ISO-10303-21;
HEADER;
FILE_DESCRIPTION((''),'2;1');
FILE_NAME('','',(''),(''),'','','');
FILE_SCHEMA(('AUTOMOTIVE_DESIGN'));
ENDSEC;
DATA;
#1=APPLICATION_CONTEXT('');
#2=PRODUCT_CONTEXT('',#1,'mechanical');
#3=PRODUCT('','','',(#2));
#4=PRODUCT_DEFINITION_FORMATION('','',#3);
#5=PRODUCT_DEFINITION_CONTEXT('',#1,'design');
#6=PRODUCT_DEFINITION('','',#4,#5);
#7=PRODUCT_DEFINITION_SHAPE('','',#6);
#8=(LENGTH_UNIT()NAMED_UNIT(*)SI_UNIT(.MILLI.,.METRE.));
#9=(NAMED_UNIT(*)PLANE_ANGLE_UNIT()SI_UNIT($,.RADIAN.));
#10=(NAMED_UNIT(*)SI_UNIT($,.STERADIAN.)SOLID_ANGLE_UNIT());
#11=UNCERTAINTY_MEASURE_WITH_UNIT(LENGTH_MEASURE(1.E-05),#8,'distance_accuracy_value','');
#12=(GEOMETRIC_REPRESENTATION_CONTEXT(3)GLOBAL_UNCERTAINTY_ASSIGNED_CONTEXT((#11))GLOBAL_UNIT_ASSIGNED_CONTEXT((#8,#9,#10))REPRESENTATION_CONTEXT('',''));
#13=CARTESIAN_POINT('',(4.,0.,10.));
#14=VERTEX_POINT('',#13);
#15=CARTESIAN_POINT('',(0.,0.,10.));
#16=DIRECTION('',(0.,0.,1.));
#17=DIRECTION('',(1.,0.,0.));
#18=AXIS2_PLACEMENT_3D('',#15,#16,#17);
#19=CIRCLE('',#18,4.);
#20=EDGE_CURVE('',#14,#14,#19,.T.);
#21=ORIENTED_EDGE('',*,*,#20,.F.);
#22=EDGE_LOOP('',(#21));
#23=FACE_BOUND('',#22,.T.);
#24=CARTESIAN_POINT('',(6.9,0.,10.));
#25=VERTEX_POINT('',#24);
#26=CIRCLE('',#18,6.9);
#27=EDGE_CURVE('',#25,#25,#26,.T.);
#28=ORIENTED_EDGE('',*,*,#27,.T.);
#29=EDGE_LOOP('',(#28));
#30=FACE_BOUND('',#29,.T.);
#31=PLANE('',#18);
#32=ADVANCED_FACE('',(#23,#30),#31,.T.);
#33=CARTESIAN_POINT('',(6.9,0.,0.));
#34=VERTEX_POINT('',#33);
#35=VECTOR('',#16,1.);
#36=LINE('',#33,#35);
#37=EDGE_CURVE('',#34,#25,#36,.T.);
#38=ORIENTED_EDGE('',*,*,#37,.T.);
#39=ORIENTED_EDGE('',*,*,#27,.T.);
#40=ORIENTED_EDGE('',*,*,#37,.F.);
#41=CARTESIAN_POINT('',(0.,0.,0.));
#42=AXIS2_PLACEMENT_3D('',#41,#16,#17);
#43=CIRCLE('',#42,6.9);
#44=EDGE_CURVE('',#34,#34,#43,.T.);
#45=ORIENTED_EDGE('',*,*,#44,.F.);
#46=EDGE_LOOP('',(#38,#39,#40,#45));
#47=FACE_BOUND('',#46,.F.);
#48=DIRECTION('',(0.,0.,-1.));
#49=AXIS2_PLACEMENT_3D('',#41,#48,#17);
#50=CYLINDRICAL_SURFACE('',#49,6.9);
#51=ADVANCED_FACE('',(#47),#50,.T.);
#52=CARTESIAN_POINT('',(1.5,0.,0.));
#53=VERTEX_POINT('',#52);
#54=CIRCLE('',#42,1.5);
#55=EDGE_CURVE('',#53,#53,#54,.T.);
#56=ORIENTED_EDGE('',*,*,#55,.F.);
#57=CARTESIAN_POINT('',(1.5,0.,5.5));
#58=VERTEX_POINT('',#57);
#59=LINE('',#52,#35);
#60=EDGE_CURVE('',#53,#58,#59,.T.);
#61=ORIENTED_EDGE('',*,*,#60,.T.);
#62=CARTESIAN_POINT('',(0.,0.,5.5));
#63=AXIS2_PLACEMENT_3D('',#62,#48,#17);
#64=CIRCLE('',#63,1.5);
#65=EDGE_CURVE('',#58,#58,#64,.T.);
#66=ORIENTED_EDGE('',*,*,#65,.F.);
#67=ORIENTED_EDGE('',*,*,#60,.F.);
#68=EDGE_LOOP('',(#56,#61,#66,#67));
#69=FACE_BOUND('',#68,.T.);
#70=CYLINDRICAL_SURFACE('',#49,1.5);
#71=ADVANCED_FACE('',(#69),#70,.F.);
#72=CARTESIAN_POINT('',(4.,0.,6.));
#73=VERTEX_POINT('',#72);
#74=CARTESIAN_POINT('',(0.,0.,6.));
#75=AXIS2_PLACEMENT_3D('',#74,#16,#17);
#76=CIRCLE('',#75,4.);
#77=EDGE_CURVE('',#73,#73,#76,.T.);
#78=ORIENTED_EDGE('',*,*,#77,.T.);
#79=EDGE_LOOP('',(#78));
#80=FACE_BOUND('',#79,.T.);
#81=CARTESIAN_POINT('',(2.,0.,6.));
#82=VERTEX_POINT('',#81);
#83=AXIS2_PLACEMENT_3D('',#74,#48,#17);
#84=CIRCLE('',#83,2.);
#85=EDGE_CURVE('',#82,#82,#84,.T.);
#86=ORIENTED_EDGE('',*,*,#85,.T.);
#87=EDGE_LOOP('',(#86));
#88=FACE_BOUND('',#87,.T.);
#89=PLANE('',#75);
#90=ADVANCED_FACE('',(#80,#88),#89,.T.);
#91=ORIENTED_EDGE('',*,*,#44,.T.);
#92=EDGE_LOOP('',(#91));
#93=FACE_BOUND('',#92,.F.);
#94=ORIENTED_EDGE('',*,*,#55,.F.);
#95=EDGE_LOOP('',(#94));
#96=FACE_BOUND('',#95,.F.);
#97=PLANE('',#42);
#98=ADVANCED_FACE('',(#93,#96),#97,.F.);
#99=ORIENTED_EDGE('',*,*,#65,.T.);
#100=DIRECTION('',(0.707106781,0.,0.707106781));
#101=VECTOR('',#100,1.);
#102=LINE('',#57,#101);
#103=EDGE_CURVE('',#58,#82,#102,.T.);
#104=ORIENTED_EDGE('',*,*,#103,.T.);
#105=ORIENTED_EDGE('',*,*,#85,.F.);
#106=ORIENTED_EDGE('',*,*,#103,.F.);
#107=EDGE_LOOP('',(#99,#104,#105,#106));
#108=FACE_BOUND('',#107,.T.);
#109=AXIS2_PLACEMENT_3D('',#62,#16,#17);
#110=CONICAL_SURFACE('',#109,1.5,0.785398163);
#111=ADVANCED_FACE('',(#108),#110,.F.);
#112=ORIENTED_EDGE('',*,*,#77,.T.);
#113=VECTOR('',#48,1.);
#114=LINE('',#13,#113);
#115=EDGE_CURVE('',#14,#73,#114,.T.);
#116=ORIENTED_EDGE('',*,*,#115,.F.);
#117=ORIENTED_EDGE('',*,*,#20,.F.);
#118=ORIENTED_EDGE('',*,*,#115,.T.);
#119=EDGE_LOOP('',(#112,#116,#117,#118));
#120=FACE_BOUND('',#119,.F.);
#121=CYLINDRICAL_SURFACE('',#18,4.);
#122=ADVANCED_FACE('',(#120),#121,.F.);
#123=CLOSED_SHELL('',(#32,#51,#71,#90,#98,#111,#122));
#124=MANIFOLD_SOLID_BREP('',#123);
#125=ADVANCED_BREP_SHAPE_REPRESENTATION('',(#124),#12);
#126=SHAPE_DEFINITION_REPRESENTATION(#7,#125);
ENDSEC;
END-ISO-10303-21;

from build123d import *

# Parameters (mm, degrees)
F0_R     = 6.9
F0_R_2   = 1.5
F1_DEPTH = 10
F2_R     = 4
F3_DEPTH = 4
F4_SIZE  = 0.5


with BuildPart() as f1:
    # F0 (on Top) → F1 (new body)
    with BuildSketch(Plane.XY):
        Circle(F0_R)
        Circle(F0_R_2, mode=Mode.SUBTRACT)
    extrude(amount=F1_DEPTH)

    # F2 (on face) → F3 (cut)
    with BuildSketch(Plane.XY.offset(10)):
        Circle(F2_R)
    extrude(amount=-F3_DEPTH, mode=Mode.SUBTRACT)

    # F4
    f4_edges = [f1.edges().sort_by_distance(p)[0] for p in [
        (-1.5, 0, 6),
    ]]
    chamfer(f4_edges, length=F4_SIZE)


solid = f1.part
